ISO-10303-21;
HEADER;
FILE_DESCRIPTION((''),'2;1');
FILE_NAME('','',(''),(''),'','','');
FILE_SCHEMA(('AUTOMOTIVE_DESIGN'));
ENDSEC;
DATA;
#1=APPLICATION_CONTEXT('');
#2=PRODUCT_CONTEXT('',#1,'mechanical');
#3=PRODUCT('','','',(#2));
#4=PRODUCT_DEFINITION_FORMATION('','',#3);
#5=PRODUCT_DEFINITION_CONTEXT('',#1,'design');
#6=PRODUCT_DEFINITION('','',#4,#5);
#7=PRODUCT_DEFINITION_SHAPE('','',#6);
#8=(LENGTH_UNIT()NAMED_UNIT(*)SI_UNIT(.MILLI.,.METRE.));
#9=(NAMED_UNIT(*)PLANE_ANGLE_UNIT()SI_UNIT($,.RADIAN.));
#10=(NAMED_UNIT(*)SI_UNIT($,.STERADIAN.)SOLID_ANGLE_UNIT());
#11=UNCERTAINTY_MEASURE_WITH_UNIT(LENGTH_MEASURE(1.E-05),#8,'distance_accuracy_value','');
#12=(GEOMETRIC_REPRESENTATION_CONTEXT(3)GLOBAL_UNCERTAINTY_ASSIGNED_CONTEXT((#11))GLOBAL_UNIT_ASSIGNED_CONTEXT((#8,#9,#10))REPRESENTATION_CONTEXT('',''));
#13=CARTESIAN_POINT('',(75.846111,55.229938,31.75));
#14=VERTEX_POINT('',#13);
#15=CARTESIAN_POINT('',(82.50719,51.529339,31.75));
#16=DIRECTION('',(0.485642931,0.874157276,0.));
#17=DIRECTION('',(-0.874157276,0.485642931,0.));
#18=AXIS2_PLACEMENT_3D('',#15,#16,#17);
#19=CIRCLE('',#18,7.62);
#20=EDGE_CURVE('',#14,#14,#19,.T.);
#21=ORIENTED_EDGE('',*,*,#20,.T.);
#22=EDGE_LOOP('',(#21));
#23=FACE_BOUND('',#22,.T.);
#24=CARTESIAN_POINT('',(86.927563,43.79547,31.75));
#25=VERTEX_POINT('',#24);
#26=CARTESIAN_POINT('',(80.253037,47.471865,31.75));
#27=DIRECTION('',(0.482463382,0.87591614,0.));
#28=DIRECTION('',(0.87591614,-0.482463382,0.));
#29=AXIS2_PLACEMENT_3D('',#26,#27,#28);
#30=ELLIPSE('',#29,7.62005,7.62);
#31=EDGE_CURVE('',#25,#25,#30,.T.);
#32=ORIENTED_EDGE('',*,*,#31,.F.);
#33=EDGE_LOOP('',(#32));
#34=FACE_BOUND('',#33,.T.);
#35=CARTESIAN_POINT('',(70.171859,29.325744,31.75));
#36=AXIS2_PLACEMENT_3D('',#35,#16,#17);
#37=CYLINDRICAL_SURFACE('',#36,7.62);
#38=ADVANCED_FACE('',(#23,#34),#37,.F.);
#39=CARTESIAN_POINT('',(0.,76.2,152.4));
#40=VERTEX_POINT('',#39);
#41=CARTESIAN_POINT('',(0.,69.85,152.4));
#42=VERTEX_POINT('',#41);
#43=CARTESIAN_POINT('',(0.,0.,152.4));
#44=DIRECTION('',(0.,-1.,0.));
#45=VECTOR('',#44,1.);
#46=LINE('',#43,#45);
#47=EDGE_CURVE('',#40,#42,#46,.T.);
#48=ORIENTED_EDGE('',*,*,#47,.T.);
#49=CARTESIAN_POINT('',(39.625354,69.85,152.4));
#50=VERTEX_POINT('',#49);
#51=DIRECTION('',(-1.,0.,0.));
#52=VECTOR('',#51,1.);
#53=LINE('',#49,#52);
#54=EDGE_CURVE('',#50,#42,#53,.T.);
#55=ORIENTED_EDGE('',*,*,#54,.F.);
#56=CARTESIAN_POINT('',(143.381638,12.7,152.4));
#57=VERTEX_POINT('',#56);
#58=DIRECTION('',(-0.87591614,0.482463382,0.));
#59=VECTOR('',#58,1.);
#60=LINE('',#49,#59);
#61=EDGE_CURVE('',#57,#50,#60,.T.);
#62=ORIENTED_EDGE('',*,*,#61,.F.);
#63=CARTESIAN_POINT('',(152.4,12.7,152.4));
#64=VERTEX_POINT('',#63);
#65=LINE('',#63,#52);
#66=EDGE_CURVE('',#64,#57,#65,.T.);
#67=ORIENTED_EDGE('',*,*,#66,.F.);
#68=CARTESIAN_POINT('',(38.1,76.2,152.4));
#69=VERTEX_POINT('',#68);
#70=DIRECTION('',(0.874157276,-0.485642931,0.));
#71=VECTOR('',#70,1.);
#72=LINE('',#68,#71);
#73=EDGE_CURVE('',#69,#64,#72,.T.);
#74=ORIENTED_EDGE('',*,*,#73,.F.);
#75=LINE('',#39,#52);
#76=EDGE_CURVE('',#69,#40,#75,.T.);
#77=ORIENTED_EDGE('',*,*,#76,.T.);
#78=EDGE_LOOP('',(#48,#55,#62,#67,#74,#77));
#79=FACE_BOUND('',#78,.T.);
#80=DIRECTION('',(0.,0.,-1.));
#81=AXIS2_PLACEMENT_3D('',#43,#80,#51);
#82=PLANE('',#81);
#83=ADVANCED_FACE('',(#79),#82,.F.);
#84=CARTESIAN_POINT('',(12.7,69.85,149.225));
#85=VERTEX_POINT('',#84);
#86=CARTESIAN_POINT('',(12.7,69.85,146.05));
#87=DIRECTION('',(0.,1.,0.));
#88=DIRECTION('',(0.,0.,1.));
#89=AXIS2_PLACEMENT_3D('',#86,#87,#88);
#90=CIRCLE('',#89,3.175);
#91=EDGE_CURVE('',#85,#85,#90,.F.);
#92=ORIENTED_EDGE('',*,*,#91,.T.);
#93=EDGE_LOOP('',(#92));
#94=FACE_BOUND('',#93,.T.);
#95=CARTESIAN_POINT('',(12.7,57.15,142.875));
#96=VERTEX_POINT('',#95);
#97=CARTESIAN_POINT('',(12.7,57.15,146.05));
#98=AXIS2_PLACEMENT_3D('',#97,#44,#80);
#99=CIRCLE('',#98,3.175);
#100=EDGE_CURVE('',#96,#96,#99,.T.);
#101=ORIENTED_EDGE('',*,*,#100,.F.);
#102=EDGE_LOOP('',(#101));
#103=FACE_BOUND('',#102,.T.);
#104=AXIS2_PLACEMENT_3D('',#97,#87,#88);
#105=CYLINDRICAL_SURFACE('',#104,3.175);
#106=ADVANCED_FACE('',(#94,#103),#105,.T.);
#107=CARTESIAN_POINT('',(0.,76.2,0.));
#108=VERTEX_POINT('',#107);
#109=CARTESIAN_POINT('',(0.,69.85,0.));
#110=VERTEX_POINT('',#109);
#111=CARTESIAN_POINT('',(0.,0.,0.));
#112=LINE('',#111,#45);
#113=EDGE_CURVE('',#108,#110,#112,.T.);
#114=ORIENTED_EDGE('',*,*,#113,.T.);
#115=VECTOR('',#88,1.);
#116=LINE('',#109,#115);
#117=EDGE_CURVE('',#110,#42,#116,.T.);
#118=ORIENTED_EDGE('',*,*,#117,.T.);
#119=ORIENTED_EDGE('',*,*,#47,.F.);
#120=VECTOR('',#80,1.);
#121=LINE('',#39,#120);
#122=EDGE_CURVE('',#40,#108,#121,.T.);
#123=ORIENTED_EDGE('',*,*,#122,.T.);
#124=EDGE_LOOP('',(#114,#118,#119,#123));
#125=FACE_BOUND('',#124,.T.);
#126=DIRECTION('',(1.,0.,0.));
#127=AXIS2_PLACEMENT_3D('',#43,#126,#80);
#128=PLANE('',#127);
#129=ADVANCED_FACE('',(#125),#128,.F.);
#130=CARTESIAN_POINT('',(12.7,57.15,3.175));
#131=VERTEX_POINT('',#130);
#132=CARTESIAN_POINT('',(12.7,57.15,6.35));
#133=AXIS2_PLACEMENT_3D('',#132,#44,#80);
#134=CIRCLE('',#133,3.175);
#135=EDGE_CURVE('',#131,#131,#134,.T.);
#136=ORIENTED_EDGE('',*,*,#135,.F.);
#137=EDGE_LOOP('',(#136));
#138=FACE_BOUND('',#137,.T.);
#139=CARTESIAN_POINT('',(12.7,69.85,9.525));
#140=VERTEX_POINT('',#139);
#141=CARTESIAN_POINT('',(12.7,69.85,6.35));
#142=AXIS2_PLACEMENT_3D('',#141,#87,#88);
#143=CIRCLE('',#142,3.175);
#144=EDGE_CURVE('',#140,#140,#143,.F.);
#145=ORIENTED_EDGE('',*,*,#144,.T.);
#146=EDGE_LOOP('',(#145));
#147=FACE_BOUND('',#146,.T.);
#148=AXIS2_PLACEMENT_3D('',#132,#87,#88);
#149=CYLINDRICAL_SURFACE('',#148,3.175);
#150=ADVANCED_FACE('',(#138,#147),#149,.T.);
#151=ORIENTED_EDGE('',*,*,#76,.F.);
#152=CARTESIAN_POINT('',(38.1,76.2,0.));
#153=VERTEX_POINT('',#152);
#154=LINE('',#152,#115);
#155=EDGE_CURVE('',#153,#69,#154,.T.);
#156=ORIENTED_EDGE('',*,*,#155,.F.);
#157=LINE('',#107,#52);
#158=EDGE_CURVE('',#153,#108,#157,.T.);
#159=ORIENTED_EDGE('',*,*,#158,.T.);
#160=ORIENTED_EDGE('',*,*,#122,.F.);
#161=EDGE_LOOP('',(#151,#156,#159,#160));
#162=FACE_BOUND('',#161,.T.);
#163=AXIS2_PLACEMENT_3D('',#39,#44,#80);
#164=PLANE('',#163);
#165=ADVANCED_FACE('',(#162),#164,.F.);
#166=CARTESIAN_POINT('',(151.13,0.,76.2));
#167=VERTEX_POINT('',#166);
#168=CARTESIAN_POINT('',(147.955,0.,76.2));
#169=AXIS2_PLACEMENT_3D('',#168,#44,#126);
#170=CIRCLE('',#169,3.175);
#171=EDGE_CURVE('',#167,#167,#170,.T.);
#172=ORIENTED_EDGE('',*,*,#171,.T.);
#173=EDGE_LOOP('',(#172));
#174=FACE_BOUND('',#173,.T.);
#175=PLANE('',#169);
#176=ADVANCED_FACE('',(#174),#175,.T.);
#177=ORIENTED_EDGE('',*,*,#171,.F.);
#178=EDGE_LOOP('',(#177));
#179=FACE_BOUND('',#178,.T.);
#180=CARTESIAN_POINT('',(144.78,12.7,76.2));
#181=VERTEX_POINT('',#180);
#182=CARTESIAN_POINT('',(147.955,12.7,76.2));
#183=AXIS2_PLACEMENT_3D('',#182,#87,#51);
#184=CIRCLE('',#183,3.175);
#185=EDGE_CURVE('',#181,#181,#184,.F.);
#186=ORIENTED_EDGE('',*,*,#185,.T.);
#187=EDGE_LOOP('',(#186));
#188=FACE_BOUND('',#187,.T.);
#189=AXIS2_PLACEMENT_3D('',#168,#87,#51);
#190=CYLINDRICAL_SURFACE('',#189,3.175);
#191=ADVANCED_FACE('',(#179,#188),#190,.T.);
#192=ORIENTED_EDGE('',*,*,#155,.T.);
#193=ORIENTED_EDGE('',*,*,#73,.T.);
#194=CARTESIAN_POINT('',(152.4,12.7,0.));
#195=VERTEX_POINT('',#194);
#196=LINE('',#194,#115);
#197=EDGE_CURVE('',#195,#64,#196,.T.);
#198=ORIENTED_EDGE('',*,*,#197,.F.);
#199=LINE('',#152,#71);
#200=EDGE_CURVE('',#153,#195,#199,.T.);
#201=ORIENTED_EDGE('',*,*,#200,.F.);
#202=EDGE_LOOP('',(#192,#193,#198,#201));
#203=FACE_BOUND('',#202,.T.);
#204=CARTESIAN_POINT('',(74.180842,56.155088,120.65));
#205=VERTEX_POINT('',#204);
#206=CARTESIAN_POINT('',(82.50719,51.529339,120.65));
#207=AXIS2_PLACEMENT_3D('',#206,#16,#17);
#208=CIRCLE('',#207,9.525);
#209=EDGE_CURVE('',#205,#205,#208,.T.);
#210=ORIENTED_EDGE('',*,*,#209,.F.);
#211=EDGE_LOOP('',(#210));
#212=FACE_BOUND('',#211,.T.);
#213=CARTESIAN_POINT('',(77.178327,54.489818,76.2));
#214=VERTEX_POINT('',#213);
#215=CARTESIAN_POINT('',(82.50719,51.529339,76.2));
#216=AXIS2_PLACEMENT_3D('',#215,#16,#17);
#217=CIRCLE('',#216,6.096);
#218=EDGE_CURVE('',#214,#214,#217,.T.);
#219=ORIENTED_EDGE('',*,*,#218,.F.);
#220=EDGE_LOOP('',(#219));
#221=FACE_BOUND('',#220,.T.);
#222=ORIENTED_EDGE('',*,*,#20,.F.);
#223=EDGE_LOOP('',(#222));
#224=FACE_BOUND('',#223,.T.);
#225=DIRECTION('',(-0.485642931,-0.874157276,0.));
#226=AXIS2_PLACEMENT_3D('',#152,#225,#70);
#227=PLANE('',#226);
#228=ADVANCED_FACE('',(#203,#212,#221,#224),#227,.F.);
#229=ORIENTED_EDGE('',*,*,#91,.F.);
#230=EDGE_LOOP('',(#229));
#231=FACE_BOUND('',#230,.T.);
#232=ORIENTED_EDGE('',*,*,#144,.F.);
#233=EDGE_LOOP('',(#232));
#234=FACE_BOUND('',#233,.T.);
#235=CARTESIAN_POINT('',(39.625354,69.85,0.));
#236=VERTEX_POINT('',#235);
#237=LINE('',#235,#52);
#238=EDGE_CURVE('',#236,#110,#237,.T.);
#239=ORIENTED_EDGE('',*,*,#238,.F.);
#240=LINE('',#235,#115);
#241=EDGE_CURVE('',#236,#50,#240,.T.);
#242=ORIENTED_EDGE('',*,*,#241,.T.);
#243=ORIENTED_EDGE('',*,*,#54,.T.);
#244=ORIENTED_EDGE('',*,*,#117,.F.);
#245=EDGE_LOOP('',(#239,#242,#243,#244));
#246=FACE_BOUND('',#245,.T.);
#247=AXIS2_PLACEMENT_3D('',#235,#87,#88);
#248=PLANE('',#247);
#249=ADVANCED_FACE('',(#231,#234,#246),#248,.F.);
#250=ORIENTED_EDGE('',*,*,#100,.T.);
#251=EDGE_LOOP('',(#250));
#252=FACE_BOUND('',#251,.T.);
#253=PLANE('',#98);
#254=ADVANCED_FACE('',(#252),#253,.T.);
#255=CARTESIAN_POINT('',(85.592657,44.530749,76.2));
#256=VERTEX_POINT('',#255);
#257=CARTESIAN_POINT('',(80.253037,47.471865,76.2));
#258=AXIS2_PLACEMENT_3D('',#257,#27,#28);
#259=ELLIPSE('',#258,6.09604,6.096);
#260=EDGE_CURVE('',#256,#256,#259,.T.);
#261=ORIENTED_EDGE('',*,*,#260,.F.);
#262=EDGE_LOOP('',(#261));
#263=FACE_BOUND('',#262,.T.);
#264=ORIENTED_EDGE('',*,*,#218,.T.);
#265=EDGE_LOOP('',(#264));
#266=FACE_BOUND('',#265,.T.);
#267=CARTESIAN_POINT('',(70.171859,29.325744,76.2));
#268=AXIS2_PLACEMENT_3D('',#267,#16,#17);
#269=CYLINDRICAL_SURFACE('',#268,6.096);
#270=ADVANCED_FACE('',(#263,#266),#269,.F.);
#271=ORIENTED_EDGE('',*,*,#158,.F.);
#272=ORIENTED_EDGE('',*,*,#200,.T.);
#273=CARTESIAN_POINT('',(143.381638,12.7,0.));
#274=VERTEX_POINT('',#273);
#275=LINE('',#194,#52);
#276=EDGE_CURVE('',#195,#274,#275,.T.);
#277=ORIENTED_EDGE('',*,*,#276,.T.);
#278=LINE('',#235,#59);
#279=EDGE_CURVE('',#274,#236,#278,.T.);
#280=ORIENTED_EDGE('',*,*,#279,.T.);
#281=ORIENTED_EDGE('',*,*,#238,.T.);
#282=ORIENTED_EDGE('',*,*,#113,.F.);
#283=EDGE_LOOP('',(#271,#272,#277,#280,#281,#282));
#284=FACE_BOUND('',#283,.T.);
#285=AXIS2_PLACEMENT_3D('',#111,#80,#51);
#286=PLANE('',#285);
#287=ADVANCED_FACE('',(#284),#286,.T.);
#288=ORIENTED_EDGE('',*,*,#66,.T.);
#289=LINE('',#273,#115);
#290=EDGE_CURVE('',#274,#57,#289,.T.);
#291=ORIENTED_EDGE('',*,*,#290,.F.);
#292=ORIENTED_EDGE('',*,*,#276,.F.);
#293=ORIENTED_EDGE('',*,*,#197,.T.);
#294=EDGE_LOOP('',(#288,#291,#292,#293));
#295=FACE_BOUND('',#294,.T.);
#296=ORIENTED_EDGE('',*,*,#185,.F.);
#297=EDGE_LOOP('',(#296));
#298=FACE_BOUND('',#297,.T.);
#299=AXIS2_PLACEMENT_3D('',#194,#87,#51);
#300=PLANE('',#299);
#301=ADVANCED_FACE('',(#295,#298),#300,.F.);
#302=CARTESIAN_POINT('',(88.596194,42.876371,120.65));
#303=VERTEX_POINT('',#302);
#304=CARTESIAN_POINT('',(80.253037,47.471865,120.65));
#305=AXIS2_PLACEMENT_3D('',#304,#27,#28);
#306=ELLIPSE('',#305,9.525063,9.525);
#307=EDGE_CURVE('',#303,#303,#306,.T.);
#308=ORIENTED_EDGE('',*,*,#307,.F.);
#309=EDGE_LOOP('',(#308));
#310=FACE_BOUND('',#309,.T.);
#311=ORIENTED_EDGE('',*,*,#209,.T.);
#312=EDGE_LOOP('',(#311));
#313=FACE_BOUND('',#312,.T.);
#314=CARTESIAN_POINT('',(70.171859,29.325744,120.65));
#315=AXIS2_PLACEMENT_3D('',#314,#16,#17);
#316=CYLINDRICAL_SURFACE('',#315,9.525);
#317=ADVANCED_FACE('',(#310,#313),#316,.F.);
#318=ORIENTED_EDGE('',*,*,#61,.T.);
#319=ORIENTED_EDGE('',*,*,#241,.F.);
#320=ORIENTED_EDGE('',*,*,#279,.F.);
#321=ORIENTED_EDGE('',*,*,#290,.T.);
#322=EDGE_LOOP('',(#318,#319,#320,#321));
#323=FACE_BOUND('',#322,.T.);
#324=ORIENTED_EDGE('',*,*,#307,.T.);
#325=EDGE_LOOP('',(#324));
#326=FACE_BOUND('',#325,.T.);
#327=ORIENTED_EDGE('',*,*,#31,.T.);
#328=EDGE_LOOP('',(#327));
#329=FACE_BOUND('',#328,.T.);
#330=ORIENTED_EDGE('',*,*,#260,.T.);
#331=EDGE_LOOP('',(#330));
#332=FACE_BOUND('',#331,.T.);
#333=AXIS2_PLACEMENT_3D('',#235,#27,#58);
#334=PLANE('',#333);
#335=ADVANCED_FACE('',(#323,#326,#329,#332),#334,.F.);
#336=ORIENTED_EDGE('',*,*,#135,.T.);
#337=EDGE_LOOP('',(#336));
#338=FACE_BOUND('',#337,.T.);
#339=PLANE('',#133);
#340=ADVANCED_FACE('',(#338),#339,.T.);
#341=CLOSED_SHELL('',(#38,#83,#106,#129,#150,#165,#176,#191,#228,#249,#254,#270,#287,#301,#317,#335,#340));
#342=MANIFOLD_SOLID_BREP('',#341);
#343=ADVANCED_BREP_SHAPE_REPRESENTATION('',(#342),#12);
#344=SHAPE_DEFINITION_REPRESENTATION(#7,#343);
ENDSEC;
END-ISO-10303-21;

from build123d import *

# Parameters (mm, degrees)
SKETCH1_W           = 152.4
SKETCH1_H           = 76.2
BOSS_EXTRUDE1_DEPTH = 152.4
CUT_EXTRUDE1_DEPTH  = 152.4
CUT_EXTRUDE4_DEPTH  = 152.4
SKETCH6_R           = 9.525
SKETCH6_R_2         = 6.096
SKETCH6_R_3         = 7.62
CUT_EXTRUDE5_DEPTH  = 25.4
SKETCH7_R           = 3.175
BOSS_EXTRUDE2_DEPTH = 12.7
SKETCH8_W           = 9.01836237
SKETCH8_H           = 12.7
CUT_EXTRUDE6_DEPTH  = 152.4
SKETCH9_R           = 3.175
BOSS_EXTRUDE3_DEPTH = 12.7


with BuildPart() as part:
    # Sketch1 → Boss-Extrude1 (new body)
    with BuildSketch(Plane.XY):
        with Locations((76.2, 38.1)):
            Rectangle(SKETCH1_W, SKETCH1_H)
    extrude(amount=BOSS_EXTRUDE1_DEPTH)

    # Sketch2 → Cut-Extrude1 (cut)
    with BuildSketch(Plane.XY.offset(152.4)):
        Polygon((152.4, 76.2), (38.1, 76.2), (152.4, 12.7), align=None)
    extrude(amount=-CUT_EXTRUDE1_DEPTH, mode=Mode.SUBTRACT)

    # Sketch4 → Cut-Extrude4 (cut)
    with BuildSketch(Plane.XY.offset(152.4)):
        Polygon((39.625354208, 69.85), (146.05, 11.230239284), (146.05, 0), (0, 0), (0, 69.85), align=None)
    extrude(amount=-CUT_EXTRUDE4_DEPTH, mode=Mode.SUBTRACT)

    # Sketch6 → Cut-Extrude5 (cut)
    with BuildSketch(Plane(origin=(41.33490566, 74.402830189, 0), x_dir=(0.874157276, -0.485642931, 0), z_dir=(0.485642931, 0.874157276, 0))):
        with Locations((47.099400864, -120.65)):
            Circle(SKETCH6_R)
        with Locations((47.099400864, -76.2)):
            Circle(SKETCH6_R_2)
        with Locations((47.099400864, -31.75)):
            Circle(SKETCH6_R_3)
    extrude(amount=-CUT_EXTRUDE5_DEPTH, mode=Mode.SUBTRACT)

    # Sketch7 → Boss-Extrude2 (add)
    with BuildSketch(Plane.XZ.offset(-69.85)):
        with Locations((12.7, 6.35)):
            Circle(SKETCH7_R)
        with Locations((12.7, 146.05)):
            Circle(SKETCH7_R)
    extrude(amount=BOSS_EXTRUDE2_DEPTH)

    # Sketch8 → Cut-Extrude6 (cut)
    with BuildSketch(Plane.XY.offset(152.4)):
        with Locations((147.890818815, 6.35)):
            Rectangle(SKETCH8_W, SKETCH8_H)
    extrude(amount=-CUT_EXTRUDE6_DEPTH, mode=Mode.SUBTRACT)

    # Sketch9 → Boss-Extrude3 (add)
    with BuildSketch(Plane.XZ.offset(-12.7)):
        with Locations((147.955, 76.2)):
            Circle(SKETCH9_R)
    extrude(amount=BOSS_EXTRUDE3_DEPTH)


solid = part.part
